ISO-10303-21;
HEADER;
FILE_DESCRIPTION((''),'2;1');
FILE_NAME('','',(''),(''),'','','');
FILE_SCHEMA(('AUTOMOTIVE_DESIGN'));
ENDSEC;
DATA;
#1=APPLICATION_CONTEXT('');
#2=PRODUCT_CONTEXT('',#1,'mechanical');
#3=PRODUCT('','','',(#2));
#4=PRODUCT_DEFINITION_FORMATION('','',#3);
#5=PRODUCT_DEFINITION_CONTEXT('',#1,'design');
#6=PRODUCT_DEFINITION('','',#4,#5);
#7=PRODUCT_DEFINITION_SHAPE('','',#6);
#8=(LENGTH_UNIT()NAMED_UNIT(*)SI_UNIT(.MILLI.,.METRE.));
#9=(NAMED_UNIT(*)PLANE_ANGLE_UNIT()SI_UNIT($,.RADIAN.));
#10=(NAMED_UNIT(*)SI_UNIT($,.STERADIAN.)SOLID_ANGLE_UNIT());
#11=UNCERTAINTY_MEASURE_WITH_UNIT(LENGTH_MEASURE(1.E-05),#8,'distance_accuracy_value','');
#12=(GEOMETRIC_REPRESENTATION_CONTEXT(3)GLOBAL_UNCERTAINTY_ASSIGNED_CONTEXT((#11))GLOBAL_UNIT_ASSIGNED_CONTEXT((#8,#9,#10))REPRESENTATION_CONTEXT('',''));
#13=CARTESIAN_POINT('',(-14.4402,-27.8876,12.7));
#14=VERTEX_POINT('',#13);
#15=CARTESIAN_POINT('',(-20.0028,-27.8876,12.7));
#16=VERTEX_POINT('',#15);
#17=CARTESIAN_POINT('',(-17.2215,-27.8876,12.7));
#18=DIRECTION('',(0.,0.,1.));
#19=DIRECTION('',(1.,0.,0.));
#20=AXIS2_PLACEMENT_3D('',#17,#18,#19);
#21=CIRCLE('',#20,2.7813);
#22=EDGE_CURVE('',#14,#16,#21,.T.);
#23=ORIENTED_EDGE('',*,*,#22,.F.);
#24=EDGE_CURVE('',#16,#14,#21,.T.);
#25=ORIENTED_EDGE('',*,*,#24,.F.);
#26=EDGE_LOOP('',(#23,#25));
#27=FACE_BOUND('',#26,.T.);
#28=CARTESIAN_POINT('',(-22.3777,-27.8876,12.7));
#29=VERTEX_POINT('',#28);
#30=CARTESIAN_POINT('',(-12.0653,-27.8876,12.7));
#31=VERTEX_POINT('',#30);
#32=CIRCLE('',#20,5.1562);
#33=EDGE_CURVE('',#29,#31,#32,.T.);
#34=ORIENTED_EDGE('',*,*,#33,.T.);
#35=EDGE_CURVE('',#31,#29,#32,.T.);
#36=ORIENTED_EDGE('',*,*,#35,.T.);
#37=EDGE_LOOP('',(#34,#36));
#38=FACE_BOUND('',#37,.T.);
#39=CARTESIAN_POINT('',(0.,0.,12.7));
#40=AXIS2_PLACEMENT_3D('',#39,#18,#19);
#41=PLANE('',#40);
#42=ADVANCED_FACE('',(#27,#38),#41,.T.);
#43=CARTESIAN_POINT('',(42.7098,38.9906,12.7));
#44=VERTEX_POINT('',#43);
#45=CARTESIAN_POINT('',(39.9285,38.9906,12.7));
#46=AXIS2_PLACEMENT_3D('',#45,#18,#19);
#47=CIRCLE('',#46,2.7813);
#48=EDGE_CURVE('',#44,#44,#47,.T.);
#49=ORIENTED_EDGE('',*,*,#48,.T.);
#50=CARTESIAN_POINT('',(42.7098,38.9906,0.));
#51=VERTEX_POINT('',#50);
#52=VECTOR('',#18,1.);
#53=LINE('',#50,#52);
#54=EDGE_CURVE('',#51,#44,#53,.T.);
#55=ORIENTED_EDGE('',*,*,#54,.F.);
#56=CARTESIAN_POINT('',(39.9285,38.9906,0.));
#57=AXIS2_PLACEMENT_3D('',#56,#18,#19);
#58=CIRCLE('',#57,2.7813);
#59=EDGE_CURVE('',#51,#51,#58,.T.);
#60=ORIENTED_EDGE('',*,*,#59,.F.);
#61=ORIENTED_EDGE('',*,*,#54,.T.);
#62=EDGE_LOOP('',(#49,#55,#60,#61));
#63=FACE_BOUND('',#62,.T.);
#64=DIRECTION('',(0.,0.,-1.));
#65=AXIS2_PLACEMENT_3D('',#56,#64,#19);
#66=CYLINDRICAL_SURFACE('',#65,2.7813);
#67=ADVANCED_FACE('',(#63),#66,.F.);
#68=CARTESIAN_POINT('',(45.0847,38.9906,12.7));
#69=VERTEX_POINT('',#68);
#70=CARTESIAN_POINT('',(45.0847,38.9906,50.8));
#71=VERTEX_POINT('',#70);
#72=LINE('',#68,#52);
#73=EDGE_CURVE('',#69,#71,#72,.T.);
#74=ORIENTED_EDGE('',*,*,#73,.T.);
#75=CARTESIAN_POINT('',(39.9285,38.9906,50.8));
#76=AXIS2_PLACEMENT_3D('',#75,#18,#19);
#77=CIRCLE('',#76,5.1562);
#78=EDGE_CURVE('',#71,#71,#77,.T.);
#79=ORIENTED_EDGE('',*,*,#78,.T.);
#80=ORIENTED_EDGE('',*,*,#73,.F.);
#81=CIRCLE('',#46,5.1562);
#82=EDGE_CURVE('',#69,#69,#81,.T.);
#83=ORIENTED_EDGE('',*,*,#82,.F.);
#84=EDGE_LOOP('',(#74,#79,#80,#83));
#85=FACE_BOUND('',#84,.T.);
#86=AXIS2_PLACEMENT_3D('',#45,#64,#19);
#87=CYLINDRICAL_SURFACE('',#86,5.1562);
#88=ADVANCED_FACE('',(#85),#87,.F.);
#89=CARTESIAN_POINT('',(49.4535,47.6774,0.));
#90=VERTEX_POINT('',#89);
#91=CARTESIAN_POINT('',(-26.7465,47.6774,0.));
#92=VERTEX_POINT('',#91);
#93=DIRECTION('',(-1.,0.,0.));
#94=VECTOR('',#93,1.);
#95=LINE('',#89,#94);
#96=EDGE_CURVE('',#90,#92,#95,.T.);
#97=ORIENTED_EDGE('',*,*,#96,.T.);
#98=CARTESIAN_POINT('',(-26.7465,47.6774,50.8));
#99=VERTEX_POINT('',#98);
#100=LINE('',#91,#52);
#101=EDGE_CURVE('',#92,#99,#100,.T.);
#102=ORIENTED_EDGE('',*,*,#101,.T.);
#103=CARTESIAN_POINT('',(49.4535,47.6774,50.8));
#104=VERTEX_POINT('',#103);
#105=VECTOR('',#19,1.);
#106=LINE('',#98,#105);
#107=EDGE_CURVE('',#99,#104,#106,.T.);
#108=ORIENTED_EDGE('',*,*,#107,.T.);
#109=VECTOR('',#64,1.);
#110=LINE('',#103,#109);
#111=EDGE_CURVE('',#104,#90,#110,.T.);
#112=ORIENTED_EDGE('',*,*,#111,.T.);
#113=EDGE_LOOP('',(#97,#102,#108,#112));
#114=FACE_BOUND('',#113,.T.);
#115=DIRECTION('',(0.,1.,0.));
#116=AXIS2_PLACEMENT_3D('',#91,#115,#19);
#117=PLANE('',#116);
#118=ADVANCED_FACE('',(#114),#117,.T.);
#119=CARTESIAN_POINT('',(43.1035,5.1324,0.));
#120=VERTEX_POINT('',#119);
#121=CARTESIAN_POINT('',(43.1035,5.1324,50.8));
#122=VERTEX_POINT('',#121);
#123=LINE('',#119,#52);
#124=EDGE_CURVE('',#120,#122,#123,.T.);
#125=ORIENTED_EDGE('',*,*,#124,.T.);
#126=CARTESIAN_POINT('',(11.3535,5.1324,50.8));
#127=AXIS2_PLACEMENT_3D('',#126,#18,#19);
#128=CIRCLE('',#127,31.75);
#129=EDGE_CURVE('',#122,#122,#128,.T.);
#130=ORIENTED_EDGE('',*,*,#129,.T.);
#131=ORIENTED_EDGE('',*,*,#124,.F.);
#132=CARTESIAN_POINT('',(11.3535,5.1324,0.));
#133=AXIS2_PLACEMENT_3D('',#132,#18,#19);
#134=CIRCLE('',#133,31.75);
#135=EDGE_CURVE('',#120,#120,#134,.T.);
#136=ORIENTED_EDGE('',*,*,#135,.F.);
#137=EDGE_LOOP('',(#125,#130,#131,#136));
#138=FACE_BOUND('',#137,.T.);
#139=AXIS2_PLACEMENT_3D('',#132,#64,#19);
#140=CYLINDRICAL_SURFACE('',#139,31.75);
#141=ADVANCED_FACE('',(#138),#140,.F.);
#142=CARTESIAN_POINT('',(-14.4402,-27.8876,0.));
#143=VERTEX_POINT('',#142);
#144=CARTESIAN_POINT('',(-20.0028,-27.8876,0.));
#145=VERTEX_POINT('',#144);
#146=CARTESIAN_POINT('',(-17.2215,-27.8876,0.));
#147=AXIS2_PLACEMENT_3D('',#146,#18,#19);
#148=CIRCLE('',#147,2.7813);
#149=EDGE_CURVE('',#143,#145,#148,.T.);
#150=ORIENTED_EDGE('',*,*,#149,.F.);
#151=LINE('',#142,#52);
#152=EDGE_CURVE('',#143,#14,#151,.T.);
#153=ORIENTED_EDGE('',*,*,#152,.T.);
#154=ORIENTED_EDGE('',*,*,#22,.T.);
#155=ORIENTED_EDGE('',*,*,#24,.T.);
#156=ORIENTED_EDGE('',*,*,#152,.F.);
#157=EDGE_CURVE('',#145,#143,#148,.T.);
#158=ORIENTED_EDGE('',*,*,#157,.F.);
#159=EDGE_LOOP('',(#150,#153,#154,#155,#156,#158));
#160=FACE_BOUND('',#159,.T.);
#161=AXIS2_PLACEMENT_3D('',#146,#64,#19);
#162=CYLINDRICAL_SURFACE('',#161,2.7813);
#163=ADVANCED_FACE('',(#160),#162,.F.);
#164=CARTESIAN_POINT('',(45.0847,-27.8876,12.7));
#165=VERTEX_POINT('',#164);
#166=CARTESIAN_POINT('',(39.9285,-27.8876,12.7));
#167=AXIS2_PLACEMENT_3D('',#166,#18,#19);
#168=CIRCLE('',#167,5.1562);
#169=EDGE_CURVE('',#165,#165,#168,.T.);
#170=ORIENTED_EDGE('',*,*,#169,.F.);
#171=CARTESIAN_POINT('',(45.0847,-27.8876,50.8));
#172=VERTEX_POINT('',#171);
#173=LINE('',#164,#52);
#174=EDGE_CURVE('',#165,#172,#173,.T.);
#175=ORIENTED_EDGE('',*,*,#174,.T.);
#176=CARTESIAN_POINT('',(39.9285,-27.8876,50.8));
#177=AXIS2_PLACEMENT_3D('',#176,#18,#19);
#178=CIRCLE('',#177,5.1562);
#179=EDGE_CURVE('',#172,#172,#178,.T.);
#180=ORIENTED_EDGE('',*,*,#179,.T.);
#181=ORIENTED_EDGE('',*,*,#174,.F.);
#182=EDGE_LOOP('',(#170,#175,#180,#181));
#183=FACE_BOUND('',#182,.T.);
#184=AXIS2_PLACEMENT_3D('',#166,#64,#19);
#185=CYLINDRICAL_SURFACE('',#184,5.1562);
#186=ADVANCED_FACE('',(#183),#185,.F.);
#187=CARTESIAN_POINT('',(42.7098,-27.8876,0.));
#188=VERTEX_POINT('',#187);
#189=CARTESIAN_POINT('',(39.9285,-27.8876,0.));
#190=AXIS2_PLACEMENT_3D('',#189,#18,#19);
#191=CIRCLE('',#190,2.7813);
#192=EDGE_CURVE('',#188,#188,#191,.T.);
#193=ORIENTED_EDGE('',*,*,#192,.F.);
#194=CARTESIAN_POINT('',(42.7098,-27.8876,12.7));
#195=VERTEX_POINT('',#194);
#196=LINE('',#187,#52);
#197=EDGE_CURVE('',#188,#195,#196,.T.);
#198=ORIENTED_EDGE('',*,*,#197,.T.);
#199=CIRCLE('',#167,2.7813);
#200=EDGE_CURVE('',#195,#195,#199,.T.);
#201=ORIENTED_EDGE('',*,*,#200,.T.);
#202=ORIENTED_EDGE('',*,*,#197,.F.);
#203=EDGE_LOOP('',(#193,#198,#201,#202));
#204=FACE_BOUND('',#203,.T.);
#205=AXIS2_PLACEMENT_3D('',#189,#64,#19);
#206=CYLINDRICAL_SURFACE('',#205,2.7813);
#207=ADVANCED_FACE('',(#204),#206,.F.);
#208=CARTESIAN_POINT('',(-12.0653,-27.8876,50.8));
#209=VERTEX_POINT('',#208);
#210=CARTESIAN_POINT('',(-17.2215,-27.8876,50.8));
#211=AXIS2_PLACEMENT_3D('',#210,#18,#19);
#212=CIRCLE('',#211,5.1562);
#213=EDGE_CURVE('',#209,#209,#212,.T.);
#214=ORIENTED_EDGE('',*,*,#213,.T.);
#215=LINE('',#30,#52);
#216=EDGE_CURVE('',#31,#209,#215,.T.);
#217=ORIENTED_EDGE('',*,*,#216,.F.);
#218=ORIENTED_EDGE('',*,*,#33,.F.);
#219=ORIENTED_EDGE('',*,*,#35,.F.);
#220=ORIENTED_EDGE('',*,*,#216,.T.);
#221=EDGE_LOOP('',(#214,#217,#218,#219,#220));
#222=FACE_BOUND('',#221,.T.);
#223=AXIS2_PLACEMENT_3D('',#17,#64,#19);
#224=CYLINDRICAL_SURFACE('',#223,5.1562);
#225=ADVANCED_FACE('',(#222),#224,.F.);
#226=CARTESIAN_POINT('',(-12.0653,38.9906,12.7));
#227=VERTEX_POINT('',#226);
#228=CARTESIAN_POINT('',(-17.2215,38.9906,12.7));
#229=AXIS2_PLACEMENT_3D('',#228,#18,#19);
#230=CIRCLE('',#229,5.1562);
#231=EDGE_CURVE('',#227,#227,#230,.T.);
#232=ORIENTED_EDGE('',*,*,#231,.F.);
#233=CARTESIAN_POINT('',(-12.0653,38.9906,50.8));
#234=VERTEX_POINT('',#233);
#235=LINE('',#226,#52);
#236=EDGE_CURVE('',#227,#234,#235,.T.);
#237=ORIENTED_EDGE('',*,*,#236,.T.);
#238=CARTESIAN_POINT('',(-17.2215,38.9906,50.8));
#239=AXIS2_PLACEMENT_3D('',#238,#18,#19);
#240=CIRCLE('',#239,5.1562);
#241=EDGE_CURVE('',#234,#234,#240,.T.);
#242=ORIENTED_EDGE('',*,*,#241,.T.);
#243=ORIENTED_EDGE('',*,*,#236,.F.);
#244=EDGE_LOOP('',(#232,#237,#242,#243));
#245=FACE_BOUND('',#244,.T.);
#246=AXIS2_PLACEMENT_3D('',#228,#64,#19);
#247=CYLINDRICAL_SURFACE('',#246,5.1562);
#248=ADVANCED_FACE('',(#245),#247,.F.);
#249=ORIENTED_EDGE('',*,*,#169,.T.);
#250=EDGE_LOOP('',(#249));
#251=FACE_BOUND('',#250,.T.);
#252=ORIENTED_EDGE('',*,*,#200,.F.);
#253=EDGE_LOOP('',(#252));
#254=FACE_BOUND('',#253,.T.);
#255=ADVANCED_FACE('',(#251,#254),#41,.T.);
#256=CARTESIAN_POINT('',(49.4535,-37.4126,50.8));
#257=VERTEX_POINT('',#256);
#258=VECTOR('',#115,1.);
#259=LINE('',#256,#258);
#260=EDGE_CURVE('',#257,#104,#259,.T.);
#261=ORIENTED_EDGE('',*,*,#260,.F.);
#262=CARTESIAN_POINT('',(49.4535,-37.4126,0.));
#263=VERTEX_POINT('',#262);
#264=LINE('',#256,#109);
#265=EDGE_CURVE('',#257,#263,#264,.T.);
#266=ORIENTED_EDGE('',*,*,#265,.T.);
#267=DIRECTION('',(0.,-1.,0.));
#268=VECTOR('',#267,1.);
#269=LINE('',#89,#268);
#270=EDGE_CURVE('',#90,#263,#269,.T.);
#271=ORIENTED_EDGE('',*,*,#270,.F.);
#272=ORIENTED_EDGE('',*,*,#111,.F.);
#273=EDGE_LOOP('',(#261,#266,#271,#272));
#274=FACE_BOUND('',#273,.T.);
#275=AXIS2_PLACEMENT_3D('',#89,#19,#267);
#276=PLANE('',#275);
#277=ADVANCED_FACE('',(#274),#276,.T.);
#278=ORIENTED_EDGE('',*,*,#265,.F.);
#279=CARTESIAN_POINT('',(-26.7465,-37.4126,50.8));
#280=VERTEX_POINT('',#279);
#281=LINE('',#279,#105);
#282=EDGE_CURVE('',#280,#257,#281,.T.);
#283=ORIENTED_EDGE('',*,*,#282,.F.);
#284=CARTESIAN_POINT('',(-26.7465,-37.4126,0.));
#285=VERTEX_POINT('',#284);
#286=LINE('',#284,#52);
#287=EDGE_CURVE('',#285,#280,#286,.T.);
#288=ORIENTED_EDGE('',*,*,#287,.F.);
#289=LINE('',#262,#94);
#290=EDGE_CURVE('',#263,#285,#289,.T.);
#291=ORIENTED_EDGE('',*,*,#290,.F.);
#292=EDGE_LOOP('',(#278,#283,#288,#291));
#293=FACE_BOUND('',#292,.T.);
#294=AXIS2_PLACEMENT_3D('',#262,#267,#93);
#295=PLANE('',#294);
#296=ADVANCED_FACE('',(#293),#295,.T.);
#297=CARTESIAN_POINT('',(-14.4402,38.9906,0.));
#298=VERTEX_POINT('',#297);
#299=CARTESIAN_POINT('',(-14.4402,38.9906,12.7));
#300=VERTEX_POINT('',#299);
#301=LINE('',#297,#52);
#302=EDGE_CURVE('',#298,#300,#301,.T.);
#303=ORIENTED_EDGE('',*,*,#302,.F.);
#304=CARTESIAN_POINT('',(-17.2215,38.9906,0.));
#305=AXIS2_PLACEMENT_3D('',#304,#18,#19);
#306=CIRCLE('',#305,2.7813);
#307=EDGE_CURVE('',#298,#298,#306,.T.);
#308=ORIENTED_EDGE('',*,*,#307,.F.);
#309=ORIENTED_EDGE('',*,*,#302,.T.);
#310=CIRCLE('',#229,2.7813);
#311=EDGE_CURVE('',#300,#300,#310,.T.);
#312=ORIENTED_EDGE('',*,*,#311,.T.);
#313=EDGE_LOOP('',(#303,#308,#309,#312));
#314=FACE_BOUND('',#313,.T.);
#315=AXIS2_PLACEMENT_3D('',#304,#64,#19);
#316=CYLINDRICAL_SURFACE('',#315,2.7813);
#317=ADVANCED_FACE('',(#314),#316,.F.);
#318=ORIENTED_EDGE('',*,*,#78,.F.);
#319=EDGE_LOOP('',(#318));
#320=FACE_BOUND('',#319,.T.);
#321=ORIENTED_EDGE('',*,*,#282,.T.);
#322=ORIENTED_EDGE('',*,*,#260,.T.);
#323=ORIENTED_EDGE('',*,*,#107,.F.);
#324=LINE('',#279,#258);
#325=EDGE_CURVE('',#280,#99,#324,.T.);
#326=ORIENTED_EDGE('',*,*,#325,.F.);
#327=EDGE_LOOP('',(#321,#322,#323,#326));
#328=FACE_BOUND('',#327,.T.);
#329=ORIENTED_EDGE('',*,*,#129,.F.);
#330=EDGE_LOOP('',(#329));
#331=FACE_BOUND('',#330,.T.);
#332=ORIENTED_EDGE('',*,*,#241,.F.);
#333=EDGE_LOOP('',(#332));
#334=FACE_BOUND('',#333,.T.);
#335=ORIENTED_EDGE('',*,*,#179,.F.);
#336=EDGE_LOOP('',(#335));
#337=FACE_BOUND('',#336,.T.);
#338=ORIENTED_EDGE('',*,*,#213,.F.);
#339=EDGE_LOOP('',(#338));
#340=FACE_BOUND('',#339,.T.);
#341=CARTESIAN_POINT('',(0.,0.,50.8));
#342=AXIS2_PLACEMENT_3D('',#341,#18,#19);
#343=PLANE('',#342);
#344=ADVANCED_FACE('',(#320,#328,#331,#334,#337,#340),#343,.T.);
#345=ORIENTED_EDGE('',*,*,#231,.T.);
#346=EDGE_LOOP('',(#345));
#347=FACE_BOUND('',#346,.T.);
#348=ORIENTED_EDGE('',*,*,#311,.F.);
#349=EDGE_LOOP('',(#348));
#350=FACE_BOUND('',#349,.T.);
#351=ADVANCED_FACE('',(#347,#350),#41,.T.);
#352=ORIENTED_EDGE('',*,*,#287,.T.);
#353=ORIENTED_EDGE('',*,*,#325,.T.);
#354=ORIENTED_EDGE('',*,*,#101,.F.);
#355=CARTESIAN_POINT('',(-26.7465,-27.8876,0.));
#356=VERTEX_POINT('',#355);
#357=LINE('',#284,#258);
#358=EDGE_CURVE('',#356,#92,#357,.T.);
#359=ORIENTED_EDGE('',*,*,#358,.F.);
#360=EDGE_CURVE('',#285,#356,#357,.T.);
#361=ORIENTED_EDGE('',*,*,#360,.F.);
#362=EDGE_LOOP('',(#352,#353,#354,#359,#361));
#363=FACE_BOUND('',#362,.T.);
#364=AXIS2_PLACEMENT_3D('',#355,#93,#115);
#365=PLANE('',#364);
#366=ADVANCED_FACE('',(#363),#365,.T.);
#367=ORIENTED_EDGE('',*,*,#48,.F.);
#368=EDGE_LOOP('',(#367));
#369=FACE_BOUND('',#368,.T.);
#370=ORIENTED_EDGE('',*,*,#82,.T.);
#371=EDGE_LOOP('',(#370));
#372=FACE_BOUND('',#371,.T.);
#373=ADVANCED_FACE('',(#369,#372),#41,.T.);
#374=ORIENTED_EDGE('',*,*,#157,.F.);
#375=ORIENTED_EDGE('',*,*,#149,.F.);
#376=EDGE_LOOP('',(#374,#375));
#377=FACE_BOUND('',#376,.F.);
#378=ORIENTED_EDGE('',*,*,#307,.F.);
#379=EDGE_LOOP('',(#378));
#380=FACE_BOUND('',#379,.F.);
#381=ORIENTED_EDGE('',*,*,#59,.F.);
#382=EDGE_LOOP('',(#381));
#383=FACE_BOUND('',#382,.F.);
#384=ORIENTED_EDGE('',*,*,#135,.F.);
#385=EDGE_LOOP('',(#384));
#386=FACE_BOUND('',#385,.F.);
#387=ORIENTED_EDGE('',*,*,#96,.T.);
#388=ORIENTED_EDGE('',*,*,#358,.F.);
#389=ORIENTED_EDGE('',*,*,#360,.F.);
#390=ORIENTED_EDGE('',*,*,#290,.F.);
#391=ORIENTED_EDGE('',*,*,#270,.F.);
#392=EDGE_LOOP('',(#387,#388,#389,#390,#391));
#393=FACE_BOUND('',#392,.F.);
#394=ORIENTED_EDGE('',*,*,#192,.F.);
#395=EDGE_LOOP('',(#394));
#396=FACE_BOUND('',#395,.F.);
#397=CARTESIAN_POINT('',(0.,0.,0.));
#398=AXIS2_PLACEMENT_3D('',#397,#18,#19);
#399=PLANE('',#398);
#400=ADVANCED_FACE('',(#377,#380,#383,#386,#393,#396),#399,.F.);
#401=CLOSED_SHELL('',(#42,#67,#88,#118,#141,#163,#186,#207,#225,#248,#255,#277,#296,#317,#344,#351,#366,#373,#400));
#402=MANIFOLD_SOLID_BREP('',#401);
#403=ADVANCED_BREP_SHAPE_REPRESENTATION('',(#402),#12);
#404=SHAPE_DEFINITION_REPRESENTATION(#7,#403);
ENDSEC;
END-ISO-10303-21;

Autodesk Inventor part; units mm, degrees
ref_plane "YZ Plane" through (0, 0, 0) normal (1, 0, 0) x (0, 1, 0)
ref_plane "XZ Plane" through (0, 0, 0) normal (0, 1, 0) x (-1, 0, 0)
ref_plane "XY Plane" through (0, 0, 0) normal (0, 0, 1) x (1, 0, 0)
sketch "Sketch1" plane through (0, 0, 0) normal (0, 0, 1) x (1, 0, 0)
  line L0 (-26.7465, 47.6774) -> (49.4535, 47.6774)
  line L1 (49.4535, 47.6774) -> (49.4535, -37.4126)
  line L2 (49.4535, -37.4126) -> (-26.7465, -37.4126)
  line L3 (-26.7465, -37.4126) -> (-26.7465, 47.6774)
  line L4 (-26.7465, 47.6774) -> (-9.2459, 47.6774)
  line L5 (49.4535, 47.6774) -> (31.9529, 47.6774)
  line L6 (49.4535, 47.6774) -> (49.4535, 41.683)
  line L7 (49.4535, -37.4126) -> (49.4535, -31.4182)
  circle A0 centre (11.3535, 5.1324) radius 31.75
  line L8 (-26.7465, 47.6774) -> (-17.2215, 47.6774)
  line L9 (49.4535, 47.6774) -> (39.9285, 47.6774)
  line L10 (-26.7465, -37.4126) -> (-26.7465, -27.8876)
  circle A1 centre (-17.2215, -27.8876) radius 2.7813
  circle A2 centre (39.9285, -27.8876) radius 2.7813
  circle A3 centre (39.9285, 38.9906) radius 2.7813
  line L11 (-26.7465, -27.8876) -> (-17.2215, -27.8876)
  circle A4 centre (-17.2215, 38.9906) radius 2.7813
  point P0 (0, 0)
  dimension "d0" = 76.2
  dimension "d1" = 85.09
  dimension "d2" = 17.5006
  dimension "d3" = 17.5006
  dimension "d4" = 5.9944
  dimension "d5" = 5.9944
  dimension "d25" = 63.5
  dimension "d26" = 9.525
  dimension "d30" = 9.525
  dimension "d31" = 5.5626
  dimension "d32" = 5.5626
  dimension "d45" = 5.5626
  dimension "d46" = 9.525
  dimension "d48" = 5.5626
extrude "Extrusion6" add sketch "Sketch1" along normal blind 12.7
sketch "Sketch4" plane through (0, 0, 12.7) normal (0, 0, 1) x (1, 0, 0)
  circle A0 centre (11.3535, 5.1324) radius 31.75 projected
  circle A1 centre (-17.2215, 38.9906) radius 2.7813 projected
  circle A2 centre (39.9285, -27.8876) radius 2.7813 projected
  circle A3 centre (-17.2215, -27.8876) radius 2.7813 projected
  circle A4 centre (39.9285, 38.9906) radius 2.7813 projected
  line L0 (-26.7465, 47.6774) -> (49.4535, 47.6774) projected
  line L1 (-26.7465, -37.4126) -> (-26.7465, 47.6774) projected
  line L2 (-26.7465, -37.4126) -> (49.4535, -37.4126)
  line L3 (49.4535, -37.4126) -> (49.4535, 47.6774)
  line L4 (49.4535, 47.6774) -> (-26.7465, 47.6774)
  line L5 (-26.7465, 47.6774) -> (-26.7465, -37.4126)
  circle A5 centre (11.3535, 5.1324) radius 31.75
  circle A6 centre (-17.2215, -27.8876) radius 5.1562
  circle A7 centre (-17.2215, 38.9906) radius 5.1562
  circle A8 centre (39.9285, 38.9906) radius 5.1562
  circle A9 centre (39.9285, -27.8876) radius 5.1562
  point P0 (0, 0)
  dimension "d51" = 10.3124
  dimension "d52" = 10.3124
  dimension "d53" = 10.3124
  dimension "d54" = 10.3124
extrude "Extrusion7" add sketch "Sketch4" along normal blind 38.1 contours L0 L3 L2 L1
properties part number "glass socket"
